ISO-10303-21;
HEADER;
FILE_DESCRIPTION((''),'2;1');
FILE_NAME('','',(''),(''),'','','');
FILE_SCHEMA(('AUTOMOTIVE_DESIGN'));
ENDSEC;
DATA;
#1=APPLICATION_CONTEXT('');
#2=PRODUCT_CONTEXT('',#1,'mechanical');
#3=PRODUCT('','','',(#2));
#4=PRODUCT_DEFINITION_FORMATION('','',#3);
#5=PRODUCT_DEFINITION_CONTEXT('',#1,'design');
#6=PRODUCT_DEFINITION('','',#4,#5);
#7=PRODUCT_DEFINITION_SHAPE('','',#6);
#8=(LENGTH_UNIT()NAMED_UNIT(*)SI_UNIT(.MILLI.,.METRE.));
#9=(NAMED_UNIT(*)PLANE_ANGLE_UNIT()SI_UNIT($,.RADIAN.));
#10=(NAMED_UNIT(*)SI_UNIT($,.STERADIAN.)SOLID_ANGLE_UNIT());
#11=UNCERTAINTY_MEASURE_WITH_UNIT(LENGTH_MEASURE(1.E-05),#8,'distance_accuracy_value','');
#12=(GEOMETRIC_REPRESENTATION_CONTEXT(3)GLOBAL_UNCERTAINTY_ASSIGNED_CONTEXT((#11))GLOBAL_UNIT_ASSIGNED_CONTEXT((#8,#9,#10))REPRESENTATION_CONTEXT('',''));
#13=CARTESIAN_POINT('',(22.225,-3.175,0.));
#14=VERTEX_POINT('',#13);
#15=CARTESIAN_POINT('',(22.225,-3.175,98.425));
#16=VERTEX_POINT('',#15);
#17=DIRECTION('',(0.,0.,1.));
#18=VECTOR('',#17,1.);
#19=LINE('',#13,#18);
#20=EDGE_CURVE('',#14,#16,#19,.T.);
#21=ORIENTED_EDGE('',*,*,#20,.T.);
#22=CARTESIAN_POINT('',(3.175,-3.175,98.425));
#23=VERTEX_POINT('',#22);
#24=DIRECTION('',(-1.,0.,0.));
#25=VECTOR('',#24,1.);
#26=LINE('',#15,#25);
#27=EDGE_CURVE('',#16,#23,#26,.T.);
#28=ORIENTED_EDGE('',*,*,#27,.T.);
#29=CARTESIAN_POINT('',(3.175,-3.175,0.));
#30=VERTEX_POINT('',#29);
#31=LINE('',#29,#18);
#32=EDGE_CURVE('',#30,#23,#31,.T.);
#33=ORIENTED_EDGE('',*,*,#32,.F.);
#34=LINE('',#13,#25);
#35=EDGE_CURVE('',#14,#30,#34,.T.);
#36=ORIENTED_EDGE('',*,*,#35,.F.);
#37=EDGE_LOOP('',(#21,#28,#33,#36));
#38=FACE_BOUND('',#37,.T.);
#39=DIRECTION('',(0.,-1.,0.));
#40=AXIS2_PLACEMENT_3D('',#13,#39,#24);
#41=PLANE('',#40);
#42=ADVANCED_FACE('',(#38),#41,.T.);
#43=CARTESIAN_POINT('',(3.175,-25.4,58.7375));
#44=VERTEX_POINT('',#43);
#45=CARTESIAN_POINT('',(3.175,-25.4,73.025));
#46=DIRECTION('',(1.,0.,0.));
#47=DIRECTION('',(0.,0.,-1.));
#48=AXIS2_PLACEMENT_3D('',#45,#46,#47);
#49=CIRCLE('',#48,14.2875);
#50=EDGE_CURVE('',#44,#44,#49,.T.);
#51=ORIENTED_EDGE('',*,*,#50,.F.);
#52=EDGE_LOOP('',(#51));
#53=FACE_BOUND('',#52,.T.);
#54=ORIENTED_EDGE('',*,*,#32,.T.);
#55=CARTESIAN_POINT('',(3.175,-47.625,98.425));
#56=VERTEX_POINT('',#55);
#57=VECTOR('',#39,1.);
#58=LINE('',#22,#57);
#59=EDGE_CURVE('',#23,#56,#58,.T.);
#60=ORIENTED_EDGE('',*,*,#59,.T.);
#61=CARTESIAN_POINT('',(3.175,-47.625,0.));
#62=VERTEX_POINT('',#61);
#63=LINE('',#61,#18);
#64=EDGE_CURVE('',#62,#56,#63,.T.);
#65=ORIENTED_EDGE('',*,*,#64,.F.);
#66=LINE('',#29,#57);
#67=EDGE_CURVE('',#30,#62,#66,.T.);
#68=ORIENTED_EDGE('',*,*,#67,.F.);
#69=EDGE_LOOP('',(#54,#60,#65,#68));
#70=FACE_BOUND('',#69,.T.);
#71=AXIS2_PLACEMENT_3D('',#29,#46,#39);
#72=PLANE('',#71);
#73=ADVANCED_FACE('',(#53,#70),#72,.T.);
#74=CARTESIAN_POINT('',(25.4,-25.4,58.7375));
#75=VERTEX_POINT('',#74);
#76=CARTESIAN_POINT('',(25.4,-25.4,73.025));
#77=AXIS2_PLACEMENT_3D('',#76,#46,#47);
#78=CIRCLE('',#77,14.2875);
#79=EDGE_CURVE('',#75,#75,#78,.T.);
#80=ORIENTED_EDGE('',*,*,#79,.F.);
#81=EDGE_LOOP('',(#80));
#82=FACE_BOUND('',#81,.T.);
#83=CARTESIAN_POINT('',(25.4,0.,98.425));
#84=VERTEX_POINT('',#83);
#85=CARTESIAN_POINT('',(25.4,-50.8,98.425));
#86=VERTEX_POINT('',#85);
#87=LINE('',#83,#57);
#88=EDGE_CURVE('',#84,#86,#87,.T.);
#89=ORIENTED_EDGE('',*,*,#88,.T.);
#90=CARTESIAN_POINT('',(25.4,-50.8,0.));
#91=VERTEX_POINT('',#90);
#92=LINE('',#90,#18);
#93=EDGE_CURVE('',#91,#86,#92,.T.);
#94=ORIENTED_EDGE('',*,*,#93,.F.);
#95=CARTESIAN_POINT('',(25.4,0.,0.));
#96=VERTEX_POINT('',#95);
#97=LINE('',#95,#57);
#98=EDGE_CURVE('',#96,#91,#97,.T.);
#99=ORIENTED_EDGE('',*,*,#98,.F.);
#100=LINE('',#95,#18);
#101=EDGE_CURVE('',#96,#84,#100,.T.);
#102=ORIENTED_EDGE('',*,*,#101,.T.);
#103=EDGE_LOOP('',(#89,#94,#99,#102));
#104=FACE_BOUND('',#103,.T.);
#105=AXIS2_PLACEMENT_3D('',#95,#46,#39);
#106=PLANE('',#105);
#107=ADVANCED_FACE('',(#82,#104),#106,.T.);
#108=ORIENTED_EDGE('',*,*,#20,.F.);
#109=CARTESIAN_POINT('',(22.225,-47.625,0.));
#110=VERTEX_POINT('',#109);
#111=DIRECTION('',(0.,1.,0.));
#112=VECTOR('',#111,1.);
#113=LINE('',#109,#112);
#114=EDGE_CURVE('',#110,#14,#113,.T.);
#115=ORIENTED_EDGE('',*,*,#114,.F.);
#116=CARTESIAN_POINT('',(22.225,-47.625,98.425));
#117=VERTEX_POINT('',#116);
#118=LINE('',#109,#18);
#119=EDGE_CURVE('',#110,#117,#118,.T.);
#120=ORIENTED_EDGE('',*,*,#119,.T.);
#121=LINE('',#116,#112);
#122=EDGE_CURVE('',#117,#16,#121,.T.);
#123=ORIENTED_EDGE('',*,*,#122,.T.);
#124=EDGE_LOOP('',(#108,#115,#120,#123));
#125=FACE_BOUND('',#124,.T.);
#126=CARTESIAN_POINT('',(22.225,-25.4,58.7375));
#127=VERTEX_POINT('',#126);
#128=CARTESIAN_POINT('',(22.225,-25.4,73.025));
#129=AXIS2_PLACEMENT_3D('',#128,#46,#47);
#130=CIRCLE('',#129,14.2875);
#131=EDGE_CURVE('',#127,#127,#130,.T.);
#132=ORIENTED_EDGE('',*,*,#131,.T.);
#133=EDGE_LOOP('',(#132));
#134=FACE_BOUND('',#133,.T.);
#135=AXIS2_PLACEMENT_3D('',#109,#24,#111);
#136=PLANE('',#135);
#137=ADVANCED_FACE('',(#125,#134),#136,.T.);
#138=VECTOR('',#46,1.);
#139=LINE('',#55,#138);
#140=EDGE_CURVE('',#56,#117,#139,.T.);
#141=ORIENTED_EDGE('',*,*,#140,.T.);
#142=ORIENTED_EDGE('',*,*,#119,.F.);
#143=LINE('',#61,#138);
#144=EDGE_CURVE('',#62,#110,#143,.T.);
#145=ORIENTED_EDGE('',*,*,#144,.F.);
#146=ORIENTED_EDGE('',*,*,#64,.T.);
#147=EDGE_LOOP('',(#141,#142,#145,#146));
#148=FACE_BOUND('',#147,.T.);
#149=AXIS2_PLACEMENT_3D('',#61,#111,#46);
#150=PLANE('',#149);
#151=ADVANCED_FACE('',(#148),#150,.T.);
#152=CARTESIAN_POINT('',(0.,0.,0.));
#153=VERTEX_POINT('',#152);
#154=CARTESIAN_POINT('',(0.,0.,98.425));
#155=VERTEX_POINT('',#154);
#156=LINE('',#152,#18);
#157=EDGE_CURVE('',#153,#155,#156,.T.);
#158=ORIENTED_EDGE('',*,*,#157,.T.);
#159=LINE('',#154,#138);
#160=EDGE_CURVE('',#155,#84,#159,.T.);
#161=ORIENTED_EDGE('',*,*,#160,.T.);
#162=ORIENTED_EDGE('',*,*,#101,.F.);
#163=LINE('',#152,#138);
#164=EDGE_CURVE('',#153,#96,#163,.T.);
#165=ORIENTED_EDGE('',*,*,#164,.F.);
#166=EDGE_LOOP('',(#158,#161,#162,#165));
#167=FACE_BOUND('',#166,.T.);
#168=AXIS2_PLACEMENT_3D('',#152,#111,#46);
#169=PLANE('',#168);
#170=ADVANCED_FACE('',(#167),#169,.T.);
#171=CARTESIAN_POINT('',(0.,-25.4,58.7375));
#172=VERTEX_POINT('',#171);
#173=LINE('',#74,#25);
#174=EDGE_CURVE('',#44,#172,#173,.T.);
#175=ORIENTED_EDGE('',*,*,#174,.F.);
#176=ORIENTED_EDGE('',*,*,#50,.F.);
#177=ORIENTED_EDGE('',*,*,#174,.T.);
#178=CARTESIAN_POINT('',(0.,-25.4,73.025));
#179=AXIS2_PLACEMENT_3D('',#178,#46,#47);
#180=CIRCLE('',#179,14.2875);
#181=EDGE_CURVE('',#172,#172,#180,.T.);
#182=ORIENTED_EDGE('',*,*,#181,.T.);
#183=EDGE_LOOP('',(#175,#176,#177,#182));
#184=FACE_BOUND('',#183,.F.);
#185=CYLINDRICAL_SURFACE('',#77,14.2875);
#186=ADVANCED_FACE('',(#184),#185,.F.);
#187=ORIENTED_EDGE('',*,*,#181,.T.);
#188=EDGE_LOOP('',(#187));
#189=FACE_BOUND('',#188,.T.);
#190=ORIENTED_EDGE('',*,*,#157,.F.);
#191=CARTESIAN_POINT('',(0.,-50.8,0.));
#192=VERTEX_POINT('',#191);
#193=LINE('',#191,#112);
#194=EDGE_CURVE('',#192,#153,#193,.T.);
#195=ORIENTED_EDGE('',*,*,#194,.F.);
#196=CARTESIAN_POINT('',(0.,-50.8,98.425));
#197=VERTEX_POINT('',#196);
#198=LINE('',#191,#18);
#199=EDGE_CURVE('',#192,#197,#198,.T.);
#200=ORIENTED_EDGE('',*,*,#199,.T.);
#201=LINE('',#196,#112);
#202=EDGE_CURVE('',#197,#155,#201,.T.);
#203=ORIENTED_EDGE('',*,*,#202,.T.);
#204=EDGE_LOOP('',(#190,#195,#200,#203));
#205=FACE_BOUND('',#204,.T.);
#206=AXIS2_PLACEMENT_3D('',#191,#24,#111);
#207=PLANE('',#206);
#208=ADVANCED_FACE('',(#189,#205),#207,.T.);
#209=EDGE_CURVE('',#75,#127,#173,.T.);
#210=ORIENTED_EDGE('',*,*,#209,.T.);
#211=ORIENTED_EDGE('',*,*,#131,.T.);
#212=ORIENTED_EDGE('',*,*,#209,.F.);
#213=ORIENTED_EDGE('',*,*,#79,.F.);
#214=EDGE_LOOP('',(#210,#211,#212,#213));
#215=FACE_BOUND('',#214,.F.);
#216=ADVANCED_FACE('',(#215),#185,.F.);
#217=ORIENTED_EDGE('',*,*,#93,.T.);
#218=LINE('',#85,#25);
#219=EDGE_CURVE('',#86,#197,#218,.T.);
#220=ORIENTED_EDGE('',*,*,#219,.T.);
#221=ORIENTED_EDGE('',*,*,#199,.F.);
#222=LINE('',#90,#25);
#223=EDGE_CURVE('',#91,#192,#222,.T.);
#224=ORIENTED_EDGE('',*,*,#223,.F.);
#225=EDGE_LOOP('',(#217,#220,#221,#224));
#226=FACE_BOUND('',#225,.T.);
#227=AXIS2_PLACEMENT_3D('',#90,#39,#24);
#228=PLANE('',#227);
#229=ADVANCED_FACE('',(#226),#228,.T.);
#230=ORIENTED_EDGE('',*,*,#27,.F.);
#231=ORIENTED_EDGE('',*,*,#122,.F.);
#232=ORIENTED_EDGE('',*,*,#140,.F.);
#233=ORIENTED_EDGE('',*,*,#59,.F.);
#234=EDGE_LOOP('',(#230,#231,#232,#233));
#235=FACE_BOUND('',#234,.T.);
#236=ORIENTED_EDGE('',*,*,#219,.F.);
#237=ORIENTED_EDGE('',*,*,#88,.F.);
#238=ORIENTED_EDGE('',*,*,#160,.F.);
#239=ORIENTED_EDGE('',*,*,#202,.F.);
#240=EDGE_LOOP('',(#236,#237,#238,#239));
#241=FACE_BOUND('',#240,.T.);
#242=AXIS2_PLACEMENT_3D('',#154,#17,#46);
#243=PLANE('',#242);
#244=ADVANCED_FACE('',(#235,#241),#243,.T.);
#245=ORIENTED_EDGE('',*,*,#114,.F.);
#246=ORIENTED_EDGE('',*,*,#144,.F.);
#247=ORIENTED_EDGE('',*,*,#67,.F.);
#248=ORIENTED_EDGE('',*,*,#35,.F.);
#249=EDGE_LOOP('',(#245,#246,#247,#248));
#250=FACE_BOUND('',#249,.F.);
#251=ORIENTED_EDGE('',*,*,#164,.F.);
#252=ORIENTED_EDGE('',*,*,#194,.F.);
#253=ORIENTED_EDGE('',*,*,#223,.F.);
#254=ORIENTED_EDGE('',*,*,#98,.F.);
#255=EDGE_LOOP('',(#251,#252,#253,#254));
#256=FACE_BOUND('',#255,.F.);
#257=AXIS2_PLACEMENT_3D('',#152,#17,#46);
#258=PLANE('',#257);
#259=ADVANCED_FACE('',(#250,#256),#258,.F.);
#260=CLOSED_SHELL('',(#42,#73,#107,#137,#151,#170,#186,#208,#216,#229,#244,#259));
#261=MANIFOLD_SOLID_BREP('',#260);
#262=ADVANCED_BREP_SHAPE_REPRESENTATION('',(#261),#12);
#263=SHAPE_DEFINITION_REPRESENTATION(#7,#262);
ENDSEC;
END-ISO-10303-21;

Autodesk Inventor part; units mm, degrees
ref_plane "YZ Plane" through (0, 0, 0) normal (1, 0, 0) x (0, 1, 0)
ref_plane "XZ Plane" through (0, 0, 0) normal (0, 1, 0) x (-1, 0, 0)
ref_plane "XY Plane" through (0, 0, 0) normal (0, 0, 1) x (1, 0, 0)
sketch "Sketch1" plane through (0, 0, 0) normal (0, 0, 1) x (1, 0, 0)
  line L0 (0, 0) -> (25.4, 0)
  line L1 (25.4, 0) -> (25.4, -50.8)
  line L2 (25.4, -50.8) -> (0, -50.8)
  line L3 (0, -50.8) -> (0, 0)
  line L4 (22.225, -3.175) -> (3.175, -3.175)
  line L5 (3.175, -3.175) -> (3.175, -47.625)
  line L6 (3.175, -47.625) -> (22.225, -47.625)
  line L7 (22.225, -47.625) -> (22.225, -3.175)
  dimension "d0" = 25.4
  dimension "d1" = 50.8
  dimension "d2" = 3.175
extrude "Extrusion1" add sketch "Sketch1" along normal blind 98.425
sketch "Sketch3" plane through (25.4, -50.8, 0) normal (1, 0, 0) x (0, 0, -1)
  circle A0 centre (-73.025, 25.4) radius 14.2875
  line L0 (0, 50.8) -> (-98.425, 50.8) projected
  line L1 (-98.425, 0) -> (-98.425, 50.8) projected
  dimension "d15" = 25.4
  dimension "d17" = 25.4
  dimension "d19" = 28.575
extrude "Extrusion3" cut sketch "Sketch3" against normal blind 38.1
properties part number "intake hinge"
